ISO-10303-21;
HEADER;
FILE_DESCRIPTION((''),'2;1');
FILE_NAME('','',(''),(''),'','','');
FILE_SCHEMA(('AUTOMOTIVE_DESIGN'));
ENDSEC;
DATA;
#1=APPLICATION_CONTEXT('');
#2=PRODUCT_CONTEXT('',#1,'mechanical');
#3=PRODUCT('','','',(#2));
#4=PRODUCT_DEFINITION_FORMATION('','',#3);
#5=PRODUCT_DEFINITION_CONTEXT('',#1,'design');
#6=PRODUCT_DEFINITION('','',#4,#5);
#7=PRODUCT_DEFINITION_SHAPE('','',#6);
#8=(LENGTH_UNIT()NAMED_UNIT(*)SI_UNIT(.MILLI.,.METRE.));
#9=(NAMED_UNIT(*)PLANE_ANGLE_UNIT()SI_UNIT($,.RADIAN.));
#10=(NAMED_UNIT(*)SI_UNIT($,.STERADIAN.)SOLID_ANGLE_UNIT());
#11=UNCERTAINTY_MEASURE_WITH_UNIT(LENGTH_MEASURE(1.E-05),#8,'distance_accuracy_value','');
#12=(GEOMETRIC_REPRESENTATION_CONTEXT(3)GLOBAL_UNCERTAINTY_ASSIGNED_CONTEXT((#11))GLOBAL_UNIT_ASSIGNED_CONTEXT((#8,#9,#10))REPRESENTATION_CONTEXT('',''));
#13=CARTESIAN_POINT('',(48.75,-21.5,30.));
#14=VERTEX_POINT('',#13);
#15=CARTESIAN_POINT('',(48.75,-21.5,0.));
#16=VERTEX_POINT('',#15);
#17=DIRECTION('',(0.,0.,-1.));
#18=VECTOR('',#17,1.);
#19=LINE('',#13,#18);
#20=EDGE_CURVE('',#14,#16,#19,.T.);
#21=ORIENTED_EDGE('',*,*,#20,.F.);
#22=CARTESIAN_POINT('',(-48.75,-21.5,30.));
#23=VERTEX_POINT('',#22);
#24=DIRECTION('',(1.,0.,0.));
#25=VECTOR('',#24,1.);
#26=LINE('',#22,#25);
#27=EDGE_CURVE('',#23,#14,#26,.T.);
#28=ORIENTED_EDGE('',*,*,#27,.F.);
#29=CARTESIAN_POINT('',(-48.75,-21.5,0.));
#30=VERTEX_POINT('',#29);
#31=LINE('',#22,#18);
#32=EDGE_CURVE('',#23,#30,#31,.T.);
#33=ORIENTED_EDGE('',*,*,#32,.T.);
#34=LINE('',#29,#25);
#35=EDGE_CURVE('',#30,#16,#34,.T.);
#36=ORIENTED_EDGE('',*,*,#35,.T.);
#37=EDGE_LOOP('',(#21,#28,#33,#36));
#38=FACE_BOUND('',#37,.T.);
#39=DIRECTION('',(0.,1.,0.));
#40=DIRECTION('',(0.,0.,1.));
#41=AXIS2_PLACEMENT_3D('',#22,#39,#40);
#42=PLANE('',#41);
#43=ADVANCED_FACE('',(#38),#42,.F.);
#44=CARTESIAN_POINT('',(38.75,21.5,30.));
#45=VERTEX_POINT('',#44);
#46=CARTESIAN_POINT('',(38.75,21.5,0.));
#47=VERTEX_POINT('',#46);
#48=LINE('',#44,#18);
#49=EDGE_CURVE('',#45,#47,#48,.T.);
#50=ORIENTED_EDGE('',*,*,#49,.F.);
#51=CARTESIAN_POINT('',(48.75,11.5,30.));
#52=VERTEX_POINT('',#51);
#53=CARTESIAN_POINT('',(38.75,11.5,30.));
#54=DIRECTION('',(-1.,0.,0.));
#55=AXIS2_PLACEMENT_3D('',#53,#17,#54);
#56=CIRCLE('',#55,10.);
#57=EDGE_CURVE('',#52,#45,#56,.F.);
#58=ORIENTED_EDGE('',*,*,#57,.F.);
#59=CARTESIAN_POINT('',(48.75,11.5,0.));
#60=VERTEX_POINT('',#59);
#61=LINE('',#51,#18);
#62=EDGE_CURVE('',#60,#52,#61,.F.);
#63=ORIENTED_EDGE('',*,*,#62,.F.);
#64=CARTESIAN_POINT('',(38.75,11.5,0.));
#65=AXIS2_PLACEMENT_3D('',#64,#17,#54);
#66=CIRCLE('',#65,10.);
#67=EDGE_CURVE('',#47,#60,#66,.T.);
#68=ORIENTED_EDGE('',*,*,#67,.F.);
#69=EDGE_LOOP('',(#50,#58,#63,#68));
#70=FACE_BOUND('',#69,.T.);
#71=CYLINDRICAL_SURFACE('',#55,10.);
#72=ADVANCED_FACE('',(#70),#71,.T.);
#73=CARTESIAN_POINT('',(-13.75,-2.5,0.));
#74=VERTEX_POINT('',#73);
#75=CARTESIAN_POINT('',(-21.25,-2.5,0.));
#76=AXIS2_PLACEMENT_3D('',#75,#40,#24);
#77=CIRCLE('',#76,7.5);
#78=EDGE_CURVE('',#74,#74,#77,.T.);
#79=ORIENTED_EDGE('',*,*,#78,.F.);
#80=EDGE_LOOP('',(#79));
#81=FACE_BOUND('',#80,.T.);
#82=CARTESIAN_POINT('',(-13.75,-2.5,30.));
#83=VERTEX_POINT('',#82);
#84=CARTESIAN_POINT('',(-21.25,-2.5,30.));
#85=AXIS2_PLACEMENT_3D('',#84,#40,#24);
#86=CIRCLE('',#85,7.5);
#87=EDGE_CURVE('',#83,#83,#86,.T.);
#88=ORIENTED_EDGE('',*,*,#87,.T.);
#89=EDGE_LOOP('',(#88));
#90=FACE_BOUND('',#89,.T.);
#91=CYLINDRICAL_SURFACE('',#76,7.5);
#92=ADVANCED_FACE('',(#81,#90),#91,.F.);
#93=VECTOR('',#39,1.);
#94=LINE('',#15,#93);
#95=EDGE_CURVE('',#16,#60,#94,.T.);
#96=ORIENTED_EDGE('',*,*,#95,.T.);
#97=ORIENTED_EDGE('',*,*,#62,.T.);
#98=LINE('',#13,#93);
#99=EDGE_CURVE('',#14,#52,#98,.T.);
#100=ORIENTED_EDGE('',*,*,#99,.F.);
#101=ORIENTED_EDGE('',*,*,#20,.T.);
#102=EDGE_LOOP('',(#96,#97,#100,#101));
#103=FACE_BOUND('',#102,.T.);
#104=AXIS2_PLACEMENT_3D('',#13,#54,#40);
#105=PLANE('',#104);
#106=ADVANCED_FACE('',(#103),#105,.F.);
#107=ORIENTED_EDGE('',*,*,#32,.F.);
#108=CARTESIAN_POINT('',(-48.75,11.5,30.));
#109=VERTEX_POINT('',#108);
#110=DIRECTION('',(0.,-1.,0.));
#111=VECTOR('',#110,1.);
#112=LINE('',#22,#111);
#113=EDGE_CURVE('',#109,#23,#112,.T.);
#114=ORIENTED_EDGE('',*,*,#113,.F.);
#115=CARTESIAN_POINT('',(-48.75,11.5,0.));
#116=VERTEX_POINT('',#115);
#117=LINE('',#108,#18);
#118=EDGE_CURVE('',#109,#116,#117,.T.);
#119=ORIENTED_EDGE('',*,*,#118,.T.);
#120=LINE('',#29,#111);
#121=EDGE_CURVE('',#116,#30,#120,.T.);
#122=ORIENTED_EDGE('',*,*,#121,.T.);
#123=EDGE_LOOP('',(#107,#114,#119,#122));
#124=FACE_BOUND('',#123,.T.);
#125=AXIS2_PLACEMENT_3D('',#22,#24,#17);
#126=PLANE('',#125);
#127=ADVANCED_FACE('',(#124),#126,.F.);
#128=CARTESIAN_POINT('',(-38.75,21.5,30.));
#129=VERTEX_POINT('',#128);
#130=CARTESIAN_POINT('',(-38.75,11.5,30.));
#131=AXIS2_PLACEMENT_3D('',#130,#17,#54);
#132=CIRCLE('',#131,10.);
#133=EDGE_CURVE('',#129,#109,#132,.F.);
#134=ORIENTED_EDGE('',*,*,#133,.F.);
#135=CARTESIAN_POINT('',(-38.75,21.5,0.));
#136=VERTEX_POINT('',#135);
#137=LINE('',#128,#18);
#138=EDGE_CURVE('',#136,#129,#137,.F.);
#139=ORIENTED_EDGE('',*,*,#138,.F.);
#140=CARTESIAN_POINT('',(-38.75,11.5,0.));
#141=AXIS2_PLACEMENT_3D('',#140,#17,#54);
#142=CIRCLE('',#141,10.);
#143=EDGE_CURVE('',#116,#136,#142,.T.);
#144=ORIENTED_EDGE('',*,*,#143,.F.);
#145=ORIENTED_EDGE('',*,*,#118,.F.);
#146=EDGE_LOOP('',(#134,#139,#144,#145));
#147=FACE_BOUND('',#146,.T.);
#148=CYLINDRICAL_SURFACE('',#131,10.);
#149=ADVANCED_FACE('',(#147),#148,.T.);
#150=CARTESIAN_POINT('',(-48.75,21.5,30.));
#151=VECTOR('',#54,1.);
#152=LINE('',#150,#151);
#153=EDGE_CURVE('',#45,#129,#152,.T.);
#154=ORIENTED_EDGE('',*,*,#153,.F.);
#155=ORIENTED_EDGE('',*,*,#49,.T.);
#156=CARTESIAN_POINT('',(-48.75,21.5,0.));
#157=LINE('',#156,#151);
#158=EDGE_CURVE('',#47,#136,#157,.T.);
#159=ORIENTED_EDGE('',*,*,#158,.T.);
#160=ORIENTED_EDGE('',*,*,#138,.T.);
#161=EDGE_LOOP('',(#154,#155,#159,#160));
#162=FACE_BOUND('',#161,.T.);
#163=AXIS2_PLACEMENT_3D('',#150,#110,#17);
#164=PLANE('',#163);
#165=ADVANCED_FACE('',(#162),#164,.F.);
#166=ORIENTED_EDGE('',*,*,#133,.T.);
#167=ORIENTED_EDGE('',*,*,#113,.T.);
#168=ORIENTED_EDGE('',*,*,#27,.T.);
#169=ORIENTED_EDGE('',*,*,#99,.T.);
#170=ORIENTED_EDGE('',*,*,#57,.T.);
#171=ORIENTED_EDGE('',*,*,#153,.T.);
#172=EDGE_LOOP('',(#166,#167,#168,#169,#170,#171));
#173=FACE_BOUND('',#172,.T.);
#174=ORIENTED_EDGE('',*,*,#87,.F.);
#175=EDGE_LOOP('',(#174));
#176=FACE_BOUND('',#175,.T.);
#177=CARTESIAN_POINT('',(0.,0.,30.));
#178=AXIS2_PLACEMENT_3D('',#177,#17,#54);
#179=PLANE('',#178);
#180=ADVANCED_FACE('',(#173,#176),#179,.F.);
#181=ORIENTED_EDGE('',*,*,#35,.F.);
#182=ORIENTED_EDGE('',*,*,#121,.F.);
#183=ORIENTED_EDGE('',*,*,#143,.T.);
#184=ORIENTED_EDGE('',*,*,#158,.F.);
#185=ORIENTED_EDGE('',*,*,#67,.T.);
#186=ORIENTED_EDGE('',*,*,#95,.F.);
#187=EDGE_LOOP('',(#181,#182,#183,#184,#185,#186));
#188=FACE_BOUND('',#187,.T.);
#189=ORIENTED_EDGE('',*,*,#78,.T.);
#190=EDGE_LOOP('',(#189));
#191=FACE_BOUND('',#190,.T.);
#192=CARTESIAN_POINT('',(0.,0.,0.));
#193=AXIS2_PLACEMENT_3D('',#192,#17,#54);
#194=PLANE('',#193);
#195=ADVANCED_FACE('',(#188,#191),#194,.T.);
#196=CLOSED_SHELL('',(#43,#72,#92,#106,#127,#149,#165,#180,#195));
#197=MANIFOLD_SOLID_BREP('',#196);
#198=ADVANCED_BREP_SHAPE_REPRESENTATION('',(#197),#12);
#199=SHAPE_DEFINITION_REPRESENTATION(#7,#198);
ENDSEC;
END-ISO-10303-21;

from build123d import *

# Parameters (mm, degrees)
SZKIC1_W                    = 97.5
SZKIC1_H                    = 43
DODANIE_WYCI_GNI_CIE1_DEPTH = 30
ZAOKR_GLENIE1_R             = 10
ZAOKR_GLENIE2_R             = 10
SZKIC2_R                    = 7.5
WYTNIJ_WYCI_GNI_CIE1_DEPTH  = 30


with BuildPart() as part:
    # Szkic1 → Dodanie-wyciągnięcie1 (new body)
    with BuildSketch(Plane.XY):
        Rectangle(SZKIC1_W, SZKIC1_H)
    extrude(amount=DODANIE_WYCI_GNI_CIE1_DEPTH)

    # Zaokrąglenie1
    zaokr_glenie1_edges = [part.edges().sort_by_distance(p)[0] for p in [
        (-48.75, 21.5, 15),
    ]]
    fillet(zaokr_glenie1_edges, radius=ZAOKR_GLENIE1_R)

    # Zaokrąglenie2
    zaokr_glenie2_edges = [part.edges().sort_by_distance(p)[0] for p in [
        (48.75, 21.5, 15),
    ]]
    fillet(zaokr_glenie2_edges, radius=ZAOKR_GLENIE2_R)

    # Szkic2 → Wytnij-wyciągnięcie1 (cut)
    with BuildSketch(Plane.XY.offset(30)):
        with Locations((-21.25, -2.5)):
            Circle(SZKIC2_R)
    extrude(amount=-WYTNIJ_WYCI_GNI_CIE1_DEPTH, mode=Mode.SUBTRACT)


solid = part.part
